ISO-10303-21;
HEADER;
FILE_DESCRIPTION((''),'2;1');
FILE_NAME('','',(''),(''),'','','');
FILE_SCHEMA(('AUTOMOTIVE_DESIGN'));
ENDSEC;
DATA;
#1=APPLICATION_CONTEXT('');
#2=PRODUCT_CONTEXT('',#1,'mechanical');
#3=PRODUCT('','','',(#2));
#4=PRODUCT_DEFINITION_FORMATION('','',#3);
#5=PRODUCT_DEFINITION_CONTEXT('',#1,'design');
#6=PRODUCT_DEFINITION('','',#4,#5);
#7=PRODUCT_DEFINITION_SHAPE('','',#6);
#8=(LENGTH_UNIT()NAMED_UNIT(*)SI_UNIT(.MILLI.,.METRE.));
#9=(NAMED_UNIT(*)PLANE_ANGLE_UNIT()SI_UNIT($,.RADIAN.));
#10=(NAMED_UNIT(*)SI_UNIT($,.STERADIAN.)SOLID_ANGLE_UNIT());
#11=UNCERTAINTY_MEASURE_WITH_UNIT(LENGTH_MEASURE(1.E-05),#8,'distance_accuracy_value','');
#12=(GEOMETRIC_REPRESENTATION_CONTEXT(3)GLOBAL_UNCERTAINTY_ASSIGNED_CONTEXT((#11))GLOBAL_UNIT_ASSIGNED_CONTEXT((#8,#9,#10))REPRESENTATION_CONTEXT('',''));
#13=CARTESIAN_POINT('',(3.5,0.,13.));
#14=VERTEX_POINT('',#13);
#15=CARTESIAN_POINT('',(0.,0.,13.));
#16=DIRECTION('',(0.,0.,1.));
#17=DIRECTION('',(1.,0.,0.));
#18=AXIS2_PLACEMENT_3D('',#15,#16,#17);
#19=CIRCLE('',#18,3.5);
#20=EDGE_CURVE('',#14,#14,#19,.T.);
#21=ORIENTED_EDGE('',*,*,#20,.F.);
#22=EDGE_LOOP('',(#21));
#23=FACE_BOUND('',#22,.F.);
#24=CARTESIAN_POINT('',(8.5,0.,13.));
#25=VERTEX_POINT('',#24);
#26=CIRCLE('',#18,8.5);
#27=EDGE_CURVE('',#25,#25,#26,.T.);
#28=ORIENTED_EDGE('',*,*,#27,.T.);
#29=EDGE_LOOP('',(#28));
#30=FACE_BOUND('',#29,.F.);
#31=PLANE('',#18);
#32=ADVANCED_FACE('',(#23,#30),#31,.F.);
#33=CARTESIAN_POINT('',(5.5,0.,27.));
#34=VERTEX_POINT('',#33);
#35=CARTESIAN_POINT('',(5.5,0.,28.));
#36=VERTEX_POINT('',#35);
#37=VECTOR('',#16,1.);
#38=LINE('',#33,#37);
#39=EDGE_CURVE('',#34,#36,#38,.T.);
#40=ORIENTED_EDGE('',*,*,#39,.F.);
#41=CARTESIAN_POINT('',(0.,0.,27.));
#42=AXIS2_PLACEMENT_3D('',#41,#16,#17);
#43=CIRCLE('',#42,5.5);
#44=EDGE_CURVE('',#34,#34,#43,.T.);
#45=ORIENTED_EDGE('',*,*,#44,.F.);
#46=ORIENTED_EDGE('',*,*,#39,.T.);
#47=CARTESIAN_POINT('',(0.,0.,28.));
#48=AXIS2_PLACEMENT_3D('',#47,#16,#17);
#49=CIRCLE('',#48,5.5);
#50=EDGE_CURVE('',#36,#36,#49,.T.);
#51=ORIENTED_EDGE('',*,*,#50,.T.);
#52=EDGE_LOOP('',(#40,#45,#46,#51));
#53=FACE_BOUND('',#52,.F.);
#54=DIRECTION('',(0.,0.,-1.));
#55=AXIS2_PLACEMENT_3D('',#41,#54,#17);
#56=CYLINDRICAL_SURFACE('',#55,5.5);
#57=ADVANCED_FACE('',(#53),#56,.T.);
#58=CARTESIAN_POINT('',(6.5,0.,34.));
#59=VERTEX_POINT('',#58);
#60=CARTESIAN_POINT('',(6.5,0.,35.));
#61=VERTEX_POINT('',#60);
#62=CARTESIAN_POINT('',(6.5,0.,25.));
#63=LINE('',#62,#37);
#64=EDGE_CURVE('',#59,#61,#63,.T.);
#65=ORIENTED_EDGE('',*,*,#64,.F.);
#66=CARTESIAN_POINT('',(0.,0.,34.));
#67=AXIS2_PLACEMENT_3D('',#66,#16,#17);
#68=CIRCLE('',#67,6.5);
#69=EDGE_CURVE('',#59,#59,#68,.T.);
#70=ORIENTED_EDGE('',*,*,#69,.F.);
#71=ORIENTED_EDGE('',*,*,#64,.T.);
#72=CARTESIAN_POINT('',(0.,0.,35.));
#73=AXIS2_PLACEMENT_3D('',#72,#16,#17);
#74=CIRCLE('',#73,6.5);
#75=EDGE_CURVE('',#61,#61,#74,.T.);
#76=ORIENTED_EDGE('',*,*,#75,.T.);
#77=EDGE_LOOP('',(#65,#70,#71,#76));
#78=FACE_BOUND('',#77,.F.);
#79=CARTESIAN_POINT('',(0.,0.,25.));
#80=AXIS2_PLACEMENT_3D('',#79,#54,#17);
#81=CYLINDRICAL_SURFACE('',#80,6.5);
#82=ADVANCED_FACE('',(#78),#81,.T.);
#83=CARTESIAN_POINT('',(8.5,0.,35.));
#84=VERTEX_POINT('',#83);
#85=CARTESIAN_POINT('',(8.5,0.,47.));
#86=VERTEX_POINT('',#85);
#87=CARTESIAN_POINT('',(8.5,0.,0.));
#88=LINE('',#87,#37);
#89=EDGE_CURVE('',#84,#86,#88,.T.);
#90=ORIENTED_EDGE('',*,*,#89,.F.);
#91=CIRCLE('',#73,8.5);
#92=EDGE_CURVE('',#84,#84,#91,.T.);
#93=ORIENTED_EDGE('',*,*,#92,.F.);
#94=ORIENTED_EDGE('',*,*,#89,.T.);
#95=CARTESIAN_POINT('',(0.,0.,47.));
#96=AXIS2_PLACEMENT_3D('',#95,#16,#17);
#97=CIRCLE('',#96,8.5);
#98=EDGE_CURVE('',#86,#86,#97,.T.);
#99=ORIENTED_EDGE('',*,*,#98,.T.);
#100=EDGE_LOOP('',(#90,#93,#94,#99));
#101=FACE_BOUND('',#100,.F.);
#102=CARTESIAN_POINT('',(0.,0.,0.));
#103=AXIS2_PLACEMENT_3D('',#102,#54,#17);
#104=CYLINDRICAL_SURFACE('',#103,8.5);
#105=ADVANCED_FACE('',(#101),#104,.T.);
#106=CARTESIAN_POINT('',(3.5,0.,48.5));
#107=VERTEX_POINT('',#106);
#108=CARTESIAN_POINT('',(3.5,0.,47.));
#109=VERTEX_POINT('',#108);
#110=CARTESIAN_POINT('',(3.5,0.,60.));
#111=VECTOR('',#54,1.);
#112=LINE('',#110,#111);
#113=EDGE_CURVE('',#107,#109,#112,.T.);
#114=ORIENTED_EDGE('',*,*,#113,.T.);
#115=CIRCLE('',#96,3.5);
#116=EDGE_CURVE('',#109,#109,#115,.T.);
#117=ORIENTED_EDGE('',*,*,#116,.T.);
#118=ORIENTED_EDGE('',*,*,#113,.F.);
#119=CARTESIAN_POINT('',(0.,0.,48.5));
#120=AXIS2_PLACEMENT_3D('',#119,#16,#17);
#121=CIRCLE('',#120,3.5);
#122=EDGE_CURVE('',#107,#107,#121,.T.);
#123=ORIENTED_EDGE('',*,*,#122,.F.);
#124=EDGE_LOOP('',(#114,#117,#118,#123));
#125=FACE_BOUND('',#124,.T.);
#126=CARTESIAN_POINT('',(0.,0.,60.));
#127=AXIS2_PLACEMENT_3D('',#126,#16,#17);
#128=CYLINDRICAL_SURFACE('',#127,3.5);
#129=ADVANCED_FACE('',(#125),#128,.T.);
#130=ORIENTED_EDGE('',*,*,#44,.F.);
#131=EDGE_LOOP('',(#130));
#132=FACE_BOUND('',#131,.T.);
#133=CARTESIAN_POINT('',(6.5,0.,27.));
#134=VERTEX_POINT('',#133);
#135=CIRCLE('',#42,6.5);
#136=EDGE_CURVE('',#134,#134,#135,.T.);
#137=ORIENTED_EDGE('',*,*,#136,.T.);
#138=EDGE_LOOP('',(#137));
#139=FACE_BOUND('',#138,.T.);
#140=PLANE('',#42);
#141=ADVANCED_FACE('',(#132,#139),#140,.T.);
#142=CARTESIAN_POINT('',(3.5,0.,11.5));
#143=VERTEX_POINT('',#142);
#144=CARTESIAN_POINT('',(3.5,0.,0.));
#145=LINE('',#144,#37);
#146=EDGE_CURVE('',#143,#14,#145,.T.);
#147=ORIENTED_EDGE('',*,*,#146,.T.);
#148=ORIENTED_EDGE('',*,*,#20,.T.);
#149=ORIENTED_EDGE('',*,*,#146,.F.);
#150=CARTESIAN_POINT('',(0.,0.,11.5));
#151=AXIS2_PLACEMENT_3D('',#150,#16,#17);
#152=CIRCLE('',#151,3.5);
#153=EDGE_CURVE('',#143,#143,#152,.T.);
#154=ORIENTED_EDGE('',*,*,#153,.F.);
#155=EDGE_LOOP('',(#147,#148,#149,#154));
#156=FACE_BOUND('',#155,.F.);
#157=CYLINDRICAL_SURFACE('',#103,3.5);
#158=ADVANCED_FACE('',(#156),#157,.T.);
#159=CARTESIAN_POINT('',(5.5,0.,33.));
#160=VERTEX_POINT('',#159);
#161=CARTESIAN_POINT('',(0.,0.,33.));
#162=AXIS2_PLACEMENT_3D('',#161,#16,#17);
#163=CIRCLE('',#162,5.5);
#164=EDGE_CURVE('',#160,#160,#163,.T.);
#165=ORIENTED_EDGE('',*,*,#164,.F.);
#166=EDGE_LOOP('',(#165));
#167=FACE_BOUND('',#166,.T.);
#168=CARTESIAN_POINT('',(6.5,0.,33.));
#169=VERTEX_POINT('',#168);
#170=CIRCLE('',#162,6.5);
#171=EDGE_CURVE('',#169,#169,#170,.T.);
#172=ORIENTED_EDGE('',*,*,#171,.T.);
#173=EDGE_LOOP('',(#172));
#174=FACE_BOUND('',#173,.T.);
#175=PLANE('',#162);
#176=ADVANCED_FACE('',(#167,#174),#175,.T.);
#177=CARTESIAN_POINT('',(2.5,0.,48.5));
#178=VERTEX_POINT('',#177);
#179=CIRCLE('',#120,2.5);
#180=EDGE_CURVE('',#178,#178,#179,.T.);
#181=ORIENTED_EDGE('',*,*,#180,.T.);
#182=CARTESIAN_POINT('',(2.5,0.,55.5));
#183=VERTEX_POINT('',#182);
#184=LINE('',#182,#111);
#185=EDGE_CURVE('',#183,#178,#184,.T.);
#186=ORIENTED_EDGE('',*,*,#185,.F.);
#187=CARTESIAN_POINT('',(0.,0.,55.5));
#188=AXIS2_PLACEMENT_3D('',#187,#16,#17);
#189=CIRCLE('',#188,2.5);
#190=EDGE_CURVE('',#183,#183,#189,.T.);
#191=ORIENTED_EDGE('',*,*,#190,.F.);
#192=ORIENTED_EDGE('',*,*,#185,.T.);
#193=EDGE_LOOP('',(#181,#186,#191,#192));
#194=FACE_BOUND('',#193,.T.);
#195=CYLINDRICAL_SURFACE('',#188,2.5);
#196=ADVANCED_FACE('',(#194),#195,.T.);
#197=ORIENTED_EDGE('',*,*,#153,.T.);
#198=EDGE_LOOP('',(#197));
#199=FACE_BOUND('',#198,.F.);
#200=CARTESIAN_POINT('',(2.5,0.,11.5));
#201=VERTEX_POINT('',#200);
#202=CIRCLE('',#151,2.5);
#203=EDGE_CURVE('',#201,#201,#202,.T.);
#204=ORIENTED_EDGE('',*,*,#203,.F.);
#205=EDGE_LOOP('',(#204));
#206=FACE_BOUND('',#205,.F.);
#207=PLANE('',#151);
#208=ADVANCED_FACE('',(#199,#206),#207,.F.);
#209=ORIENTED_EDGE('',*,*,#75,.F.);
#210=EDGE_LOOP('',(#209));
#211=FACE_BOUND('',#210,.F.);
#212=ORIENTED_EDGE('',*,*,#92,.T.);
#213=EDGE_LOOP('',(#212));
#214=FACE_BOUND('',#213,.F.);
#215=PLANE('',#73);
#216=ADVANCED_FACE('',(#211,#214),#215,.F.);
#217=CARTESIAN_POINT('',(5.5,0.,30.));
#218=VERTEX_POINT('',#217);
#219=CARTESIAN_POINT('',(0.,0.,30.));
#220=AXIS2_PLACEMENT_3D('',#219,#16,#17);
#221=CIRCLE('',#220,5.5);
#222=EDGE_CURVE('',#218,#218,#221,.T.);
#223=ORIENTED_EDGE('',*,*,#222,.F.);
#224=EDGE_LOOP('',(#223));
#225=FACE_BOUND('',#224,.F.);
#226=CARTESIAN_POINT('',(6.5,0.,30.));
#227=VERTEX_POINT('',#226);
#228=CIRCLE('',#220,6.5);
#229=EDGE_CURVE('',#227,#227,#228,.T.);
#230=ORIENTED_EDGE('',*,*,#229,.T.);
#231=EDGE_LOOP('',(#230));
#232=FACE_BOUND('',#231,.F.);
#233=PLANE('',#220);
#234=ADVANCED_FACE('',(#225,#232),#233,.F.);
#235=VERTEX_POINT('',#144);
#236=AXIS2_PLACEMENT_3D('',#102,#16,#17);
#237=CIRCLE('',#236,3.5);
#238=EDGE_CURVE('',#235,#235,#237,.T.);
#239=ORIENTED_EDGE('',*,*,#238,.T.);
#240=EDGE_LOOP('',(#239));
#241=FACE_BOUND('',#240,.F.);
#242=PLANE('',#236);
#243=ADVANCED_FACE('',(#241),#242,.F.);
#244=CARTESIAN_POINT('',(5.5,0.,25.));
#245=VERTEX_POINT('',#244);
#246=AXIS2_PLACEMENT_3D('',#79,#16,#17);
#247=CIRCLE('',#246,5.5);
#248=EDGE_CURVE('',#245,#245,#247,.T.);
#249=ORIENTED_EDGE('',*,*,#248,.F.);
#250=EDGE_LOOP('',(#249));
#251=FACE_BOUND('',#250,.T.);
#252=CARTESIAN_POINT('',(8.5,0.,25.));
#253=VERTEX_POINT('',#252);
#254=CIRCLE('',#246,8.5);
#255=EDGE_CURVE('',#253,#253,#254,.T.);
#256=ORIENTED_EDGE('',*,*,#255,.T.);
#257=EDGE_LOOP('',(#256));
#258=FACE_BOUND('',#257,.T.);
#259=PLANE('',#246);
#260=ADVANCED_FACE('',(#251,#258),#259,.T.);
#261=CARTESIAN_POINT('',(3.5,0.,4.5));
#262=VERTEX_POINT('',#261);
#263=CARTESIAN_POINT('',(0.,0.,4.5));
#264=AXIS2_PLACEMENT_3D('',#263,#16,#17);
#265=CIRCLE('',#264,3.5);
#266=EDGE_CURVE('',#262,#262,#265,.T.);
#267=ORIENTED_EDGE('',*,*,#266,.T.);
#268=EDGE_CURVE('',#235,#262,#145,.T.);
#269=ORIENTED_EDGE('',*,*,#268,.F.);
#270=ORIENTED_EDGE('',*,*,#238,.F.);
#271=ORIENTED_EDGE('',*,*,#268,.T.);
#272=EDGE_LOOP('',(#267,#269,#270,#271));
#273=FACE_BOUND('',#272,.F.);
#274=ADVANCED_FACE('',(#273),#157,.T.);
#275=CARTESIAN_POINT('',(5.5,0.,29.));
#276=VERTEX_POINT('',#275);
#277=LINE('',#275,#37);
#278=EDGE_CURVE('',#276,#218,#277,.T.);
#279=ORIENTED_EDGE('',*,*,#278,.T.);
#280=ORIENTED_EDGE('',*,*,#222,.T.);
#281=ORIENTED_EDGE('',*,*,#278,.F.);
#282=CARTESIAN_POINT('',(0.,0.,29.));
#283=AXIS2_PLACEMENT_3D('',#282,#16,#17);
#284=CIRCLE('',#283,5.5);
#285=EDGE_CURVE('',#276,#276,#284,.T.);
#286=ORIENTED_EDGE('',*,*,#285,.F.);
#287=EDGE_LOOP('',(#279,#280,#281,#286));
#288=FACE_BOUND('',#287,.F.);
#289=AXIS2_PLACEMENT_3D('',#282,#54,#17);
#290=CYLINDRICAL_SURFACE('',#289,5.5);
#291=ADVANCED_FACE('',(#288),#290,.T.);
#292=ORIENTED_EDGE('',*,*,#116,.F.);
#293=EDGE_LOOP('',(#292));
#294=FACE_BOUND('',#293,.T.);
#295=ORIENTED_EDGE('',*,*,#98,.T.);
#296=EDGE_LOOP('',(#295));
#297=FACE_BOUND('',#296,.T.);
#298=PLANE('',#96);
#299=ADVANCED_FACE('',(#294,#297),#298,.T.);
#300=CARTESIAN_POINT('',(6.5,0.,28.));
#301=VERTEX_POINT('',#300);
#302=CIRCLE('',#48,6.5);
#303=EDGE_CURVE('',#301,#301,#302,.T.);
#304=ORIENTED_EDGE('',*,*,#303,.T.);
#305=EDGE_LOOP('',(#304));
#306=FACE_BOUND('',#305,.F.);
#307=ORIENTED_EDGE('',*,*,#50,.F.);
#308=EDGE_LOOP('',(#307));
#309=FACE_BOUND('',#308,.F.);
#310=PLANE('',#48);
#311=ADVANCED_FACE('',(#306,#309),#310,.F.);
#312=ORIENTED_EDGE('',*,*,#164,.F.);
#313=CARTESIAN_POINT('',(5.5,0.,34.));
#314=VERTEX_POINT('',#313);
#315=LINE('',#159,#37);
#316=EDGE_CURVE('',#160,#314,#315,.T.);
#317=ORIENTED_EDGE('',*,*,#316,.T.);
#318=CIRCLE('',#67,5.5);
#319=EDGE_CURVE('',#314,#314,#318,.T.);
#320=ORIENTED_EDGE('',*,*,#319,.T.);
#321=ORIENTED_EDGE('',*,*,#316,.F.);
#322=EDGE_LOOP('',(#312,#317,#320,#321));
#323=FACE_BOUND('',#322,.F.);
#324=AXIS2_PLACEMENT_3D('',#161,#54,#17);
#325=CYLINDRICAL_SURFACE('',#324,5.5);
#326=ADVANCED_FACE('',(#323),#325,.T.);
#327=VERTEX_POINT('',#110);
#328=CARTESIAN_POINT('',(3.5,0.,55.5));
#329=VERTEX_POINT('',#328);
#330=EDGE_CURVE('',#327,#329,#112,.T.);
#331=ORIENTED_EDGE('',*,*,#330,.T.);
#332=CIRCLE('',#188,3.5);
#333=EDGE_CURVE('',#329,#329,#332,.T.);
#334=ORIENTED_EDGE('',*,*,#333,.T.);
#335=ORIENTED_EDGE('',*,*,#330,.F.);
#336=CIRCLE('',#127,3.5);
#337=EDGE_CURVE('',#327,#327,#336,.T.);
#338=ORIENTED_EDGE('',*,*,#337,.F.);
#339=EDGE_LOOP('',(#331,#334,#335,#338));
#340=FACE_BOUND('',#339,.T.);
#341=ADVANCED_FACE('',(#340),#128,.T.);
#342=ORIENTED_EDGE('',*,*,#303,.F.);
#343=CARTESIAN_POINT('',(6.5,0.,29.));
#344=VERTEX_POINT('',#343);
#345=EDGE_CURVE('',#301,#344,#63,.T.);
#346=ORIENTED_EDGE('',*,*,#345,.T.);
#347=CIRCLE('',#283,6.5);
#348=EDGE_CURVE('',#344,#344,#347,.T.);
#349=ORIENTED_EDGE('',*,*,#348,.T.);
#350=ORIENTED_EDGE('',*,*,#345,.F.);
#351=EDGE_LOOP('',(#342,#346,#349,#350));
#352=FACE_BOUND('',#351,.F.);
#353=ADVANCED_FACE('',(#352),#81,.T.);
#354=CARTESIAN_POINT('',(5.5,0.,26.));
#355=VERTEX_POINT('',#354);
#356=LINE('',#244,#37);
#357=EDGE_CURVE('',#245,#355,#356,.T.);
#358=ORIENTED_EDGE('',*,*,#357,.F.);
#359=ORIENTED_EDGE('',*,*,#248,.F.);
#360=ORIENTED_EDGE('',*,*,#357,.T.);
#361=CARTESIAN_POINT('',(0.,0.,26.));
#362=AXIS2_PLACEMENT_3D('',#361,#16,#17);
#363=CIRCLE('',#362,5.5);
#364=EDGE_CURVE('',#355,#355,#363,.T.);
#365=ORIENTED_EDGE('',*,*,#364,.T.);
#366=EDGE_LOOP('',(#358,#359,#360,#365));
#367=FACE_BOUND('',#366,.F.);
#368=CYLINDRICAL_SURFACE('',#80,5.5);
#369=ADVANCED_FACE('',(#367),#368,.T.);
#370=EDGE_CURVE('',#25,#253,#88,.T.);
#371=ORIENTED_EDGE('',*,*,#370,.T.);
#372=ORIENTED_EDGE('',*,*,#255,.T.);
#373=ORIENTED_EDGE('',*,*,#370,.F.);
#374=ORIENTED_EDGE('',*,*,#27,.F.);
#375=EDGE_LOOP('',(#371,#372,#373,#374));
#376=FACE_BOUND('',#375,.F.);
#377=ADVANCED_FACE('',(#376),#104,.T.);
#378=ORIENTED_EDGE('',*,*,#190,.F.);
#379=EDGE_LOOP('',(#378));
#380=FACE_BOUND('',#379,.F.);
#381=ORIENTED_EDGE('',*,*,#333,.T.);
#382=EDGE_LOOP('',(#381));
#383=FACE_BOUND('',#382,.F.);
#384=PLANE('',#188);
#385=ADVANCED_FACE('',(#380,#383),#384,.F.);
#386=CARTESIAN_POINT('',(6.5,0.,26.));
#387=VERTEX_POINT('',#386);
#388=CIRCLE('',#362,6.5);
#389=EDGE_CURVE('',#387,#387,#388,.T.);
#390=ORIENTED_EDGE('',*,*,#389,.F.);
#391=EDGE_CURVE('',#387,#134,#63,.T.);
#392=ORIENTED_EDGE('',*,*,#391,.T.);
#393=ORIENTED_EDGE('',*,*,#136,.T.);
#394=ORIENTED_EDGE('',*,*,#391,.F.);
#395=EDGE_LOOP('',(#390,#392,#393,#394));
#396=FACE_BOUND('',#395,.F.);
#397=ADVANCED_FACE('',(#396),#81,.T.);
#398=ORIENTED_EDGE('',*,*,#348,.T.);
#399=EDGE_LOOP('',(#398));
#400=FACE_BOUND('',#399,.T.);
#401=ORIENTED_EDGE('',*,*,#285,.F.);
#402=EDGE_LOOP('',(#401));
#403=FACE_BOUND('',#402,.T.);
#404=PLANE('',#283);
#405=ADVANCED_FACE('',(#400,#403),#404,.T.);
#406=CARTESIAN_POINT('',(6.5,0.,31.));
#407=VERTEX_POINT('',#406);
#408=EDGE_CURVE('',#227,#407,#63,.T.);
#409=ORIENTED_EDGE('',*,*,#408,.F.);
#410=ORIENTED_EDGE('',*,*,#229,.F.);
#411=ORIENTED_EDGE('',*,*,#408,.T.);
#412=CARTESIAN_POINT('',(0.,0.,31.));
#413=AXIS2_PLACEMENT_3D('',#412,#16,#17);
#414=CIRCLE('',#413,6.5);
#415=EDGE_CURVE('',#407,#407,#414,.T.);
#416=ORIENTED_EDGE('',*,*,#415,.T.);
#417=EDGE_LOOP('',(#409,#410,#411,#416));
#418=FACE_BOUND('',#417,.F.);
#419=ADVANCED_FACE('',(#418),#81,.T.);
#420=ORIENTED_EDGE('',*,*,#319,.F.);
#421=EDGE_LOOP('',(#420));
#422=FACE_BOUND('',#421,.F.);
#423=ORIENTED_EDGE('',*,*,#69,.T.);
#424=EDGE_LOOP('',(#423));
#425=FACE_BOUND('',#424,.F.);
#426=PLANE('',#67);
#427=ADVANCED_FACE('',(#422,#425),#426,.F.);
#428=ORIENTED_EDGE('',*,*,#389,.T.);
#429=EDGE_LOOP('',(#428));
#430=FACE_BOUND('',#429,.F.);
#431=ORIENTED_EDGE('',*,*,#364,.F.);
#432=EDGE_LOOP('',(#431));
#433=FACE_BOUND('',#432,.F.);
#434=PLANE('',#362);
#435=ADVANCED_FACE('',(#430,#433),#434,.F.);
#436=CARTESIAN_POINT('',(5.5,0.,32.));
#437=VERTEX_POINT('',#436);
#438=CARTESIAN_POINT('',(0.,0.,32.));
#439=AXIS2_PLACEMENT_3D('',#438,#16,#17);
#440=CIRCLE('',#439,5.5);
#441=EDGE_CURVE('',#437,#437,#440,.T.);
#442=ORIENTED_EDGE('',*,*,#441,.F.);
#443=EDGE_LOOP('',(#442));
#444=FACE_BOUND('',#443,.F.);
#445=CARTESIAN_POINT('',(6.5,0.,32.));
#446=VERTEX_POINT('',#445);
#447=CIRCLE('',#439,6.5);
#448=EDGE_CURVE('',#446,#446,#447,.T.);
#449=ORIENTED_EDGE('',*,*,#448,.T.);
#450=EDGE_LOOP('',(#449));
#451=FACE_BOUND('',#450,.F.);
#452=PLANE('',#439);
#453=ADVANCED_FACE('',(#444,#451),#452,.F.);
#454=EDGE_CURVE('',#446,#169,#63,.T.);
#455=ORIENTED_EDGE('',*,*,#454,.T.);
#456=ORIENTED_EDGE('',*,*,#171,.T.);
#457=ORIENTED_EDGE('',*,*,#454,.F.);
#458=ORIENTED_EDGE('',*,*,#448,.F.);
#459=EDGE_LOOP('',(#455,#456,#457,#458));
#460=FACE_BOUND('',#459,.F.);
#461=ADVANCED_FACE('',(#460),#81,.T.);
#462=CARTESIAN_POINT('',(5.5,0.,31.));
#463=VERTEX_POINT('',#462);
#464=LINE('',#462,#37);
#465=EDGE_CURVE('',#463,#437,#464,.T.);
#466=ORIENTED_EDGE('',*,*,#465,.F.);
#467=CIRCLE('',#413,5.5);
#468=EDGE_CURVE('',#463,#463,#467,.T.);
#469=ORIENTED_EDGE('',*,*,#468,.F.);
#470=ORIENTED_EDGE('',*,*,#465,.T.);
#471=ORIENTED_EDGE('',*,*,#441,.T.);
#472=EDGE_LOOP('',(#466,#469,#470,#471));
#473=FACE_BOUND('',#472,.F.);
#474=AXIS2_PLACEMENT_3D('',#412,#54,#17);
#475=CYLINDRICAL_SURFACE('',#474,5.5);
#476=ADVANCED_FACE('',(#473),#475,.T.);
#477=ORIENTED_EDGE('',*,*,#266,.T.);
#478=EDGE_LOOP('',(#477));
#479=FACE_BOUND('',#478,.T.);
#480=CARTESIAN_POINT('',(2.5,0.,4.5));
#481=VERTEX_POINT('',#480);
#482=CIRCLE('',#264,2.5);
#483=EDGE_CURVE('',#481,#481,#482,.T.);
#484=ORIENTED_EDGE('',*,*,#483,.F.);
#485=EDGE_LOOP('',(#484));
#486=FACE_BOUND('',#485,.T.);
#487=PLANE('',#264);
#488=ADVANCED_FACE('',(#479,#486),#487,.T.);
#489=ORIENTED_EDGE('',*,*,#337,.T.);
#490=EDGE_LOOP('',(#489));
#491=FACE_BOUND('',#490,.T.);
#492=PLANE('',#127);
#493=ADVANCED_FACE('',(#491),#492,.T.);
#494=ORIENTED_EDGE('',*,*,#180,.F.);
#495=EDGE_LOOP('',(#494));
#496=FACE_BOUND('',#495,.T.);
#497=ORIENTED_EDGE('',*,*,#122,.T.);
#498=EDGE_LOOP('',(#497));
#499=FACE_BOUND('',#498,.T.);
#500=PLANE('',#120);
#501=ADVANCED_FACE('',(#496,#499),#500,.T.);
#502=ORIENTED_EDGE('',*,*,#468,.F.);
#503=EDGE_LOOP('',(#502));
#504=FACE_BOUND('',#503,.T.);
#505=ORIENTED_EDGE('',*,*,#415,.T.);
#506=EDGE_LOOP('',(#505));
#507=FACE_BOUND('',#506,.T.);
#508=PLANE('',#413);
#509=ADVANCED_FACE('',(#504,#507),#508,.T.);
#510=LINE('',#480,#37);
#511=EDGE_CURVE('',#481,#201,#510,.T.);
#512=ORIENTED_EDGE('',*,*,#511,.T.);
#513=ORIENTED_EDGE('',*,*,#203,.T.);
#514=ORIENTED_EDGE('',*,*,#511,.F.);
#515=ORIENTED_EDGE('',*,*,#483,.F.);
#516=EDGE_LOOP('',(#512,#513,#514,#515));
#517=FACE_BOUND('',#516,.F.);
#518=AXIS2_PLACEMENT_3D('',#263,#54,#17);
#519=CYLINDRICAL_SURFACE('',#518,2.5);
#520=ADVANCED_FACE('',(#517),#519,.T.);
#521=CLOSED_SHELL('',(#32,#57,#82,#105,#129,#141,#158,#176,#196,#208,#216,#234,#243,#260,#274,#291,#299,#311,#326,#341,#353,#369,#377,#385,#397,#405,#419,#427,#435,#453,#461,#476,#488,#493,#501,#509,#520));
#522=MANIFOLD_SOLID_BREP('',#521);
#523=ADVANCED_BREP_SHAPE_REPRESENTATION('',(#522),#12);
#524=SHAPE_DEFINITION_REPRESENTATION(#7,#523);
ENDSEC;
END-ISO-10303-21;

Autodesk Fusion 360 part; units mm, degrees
sketch "Sketch1" plane through (0, 0, 0) normal (0, 0, 1) x (1, 0, 0)
  circle A0 centre (0, 0) radius 3.5
  circle A1 centre (0, 0) radius 8.5
  circle A2 centre (0, 0) radius 2.5
  circle A3 centre (0, 0) radius 6.5
  circle A4 centre (0, 0) radius 5.5
  dimension "d1" = 7
  dimension "d2" = 5
  dimension "d10" = -1
  dimension "d17" = -2
  dimension "d21" = -1
extrude "Extrude1" add sketch "Sketch1" along normal blind 60 contours A0 | A1 | A2 | A3 | A4
extrude "Extrude2" cut sketch "Sketch1" along normal blind 13 contours A1 | A3 | A4
extrude "Extrude3" cut sketch "Sketch1" against normal blind 13 from surface at 60 contours A1 | A3 | A4
extrude "Extrude4" cut sketch "Sketch1" along normal blind 7 from surface at 4.5 contours A0
extrude "Extrude5" cut sketch "Sketch1" against normal blind 7 from surface at 55.5 contours A0
extrude "Extrude6" cut sketch "Sketch1" along normal blind 10 from surface at 25 contours A1
extrude "Extrude7" cut sketch "Sketch1" along normal blind 1 from surface at 25 contours A3
extrude "Extrude8" cut sketch "Sketch1" along normal blind 1 from surface at 27 contours A3
extrude "Extrude9" cut sketch "Sketch1" along normal blind 1 from surface at 29 contours A3
extrude "Extrude10" cut sketch "Sketch1" along normal blind 1 from surface at 31 contours A3
extrude "Extrude11" cut sketch "Sketch1" along normal blind 1 from surface at 33 contours A3
